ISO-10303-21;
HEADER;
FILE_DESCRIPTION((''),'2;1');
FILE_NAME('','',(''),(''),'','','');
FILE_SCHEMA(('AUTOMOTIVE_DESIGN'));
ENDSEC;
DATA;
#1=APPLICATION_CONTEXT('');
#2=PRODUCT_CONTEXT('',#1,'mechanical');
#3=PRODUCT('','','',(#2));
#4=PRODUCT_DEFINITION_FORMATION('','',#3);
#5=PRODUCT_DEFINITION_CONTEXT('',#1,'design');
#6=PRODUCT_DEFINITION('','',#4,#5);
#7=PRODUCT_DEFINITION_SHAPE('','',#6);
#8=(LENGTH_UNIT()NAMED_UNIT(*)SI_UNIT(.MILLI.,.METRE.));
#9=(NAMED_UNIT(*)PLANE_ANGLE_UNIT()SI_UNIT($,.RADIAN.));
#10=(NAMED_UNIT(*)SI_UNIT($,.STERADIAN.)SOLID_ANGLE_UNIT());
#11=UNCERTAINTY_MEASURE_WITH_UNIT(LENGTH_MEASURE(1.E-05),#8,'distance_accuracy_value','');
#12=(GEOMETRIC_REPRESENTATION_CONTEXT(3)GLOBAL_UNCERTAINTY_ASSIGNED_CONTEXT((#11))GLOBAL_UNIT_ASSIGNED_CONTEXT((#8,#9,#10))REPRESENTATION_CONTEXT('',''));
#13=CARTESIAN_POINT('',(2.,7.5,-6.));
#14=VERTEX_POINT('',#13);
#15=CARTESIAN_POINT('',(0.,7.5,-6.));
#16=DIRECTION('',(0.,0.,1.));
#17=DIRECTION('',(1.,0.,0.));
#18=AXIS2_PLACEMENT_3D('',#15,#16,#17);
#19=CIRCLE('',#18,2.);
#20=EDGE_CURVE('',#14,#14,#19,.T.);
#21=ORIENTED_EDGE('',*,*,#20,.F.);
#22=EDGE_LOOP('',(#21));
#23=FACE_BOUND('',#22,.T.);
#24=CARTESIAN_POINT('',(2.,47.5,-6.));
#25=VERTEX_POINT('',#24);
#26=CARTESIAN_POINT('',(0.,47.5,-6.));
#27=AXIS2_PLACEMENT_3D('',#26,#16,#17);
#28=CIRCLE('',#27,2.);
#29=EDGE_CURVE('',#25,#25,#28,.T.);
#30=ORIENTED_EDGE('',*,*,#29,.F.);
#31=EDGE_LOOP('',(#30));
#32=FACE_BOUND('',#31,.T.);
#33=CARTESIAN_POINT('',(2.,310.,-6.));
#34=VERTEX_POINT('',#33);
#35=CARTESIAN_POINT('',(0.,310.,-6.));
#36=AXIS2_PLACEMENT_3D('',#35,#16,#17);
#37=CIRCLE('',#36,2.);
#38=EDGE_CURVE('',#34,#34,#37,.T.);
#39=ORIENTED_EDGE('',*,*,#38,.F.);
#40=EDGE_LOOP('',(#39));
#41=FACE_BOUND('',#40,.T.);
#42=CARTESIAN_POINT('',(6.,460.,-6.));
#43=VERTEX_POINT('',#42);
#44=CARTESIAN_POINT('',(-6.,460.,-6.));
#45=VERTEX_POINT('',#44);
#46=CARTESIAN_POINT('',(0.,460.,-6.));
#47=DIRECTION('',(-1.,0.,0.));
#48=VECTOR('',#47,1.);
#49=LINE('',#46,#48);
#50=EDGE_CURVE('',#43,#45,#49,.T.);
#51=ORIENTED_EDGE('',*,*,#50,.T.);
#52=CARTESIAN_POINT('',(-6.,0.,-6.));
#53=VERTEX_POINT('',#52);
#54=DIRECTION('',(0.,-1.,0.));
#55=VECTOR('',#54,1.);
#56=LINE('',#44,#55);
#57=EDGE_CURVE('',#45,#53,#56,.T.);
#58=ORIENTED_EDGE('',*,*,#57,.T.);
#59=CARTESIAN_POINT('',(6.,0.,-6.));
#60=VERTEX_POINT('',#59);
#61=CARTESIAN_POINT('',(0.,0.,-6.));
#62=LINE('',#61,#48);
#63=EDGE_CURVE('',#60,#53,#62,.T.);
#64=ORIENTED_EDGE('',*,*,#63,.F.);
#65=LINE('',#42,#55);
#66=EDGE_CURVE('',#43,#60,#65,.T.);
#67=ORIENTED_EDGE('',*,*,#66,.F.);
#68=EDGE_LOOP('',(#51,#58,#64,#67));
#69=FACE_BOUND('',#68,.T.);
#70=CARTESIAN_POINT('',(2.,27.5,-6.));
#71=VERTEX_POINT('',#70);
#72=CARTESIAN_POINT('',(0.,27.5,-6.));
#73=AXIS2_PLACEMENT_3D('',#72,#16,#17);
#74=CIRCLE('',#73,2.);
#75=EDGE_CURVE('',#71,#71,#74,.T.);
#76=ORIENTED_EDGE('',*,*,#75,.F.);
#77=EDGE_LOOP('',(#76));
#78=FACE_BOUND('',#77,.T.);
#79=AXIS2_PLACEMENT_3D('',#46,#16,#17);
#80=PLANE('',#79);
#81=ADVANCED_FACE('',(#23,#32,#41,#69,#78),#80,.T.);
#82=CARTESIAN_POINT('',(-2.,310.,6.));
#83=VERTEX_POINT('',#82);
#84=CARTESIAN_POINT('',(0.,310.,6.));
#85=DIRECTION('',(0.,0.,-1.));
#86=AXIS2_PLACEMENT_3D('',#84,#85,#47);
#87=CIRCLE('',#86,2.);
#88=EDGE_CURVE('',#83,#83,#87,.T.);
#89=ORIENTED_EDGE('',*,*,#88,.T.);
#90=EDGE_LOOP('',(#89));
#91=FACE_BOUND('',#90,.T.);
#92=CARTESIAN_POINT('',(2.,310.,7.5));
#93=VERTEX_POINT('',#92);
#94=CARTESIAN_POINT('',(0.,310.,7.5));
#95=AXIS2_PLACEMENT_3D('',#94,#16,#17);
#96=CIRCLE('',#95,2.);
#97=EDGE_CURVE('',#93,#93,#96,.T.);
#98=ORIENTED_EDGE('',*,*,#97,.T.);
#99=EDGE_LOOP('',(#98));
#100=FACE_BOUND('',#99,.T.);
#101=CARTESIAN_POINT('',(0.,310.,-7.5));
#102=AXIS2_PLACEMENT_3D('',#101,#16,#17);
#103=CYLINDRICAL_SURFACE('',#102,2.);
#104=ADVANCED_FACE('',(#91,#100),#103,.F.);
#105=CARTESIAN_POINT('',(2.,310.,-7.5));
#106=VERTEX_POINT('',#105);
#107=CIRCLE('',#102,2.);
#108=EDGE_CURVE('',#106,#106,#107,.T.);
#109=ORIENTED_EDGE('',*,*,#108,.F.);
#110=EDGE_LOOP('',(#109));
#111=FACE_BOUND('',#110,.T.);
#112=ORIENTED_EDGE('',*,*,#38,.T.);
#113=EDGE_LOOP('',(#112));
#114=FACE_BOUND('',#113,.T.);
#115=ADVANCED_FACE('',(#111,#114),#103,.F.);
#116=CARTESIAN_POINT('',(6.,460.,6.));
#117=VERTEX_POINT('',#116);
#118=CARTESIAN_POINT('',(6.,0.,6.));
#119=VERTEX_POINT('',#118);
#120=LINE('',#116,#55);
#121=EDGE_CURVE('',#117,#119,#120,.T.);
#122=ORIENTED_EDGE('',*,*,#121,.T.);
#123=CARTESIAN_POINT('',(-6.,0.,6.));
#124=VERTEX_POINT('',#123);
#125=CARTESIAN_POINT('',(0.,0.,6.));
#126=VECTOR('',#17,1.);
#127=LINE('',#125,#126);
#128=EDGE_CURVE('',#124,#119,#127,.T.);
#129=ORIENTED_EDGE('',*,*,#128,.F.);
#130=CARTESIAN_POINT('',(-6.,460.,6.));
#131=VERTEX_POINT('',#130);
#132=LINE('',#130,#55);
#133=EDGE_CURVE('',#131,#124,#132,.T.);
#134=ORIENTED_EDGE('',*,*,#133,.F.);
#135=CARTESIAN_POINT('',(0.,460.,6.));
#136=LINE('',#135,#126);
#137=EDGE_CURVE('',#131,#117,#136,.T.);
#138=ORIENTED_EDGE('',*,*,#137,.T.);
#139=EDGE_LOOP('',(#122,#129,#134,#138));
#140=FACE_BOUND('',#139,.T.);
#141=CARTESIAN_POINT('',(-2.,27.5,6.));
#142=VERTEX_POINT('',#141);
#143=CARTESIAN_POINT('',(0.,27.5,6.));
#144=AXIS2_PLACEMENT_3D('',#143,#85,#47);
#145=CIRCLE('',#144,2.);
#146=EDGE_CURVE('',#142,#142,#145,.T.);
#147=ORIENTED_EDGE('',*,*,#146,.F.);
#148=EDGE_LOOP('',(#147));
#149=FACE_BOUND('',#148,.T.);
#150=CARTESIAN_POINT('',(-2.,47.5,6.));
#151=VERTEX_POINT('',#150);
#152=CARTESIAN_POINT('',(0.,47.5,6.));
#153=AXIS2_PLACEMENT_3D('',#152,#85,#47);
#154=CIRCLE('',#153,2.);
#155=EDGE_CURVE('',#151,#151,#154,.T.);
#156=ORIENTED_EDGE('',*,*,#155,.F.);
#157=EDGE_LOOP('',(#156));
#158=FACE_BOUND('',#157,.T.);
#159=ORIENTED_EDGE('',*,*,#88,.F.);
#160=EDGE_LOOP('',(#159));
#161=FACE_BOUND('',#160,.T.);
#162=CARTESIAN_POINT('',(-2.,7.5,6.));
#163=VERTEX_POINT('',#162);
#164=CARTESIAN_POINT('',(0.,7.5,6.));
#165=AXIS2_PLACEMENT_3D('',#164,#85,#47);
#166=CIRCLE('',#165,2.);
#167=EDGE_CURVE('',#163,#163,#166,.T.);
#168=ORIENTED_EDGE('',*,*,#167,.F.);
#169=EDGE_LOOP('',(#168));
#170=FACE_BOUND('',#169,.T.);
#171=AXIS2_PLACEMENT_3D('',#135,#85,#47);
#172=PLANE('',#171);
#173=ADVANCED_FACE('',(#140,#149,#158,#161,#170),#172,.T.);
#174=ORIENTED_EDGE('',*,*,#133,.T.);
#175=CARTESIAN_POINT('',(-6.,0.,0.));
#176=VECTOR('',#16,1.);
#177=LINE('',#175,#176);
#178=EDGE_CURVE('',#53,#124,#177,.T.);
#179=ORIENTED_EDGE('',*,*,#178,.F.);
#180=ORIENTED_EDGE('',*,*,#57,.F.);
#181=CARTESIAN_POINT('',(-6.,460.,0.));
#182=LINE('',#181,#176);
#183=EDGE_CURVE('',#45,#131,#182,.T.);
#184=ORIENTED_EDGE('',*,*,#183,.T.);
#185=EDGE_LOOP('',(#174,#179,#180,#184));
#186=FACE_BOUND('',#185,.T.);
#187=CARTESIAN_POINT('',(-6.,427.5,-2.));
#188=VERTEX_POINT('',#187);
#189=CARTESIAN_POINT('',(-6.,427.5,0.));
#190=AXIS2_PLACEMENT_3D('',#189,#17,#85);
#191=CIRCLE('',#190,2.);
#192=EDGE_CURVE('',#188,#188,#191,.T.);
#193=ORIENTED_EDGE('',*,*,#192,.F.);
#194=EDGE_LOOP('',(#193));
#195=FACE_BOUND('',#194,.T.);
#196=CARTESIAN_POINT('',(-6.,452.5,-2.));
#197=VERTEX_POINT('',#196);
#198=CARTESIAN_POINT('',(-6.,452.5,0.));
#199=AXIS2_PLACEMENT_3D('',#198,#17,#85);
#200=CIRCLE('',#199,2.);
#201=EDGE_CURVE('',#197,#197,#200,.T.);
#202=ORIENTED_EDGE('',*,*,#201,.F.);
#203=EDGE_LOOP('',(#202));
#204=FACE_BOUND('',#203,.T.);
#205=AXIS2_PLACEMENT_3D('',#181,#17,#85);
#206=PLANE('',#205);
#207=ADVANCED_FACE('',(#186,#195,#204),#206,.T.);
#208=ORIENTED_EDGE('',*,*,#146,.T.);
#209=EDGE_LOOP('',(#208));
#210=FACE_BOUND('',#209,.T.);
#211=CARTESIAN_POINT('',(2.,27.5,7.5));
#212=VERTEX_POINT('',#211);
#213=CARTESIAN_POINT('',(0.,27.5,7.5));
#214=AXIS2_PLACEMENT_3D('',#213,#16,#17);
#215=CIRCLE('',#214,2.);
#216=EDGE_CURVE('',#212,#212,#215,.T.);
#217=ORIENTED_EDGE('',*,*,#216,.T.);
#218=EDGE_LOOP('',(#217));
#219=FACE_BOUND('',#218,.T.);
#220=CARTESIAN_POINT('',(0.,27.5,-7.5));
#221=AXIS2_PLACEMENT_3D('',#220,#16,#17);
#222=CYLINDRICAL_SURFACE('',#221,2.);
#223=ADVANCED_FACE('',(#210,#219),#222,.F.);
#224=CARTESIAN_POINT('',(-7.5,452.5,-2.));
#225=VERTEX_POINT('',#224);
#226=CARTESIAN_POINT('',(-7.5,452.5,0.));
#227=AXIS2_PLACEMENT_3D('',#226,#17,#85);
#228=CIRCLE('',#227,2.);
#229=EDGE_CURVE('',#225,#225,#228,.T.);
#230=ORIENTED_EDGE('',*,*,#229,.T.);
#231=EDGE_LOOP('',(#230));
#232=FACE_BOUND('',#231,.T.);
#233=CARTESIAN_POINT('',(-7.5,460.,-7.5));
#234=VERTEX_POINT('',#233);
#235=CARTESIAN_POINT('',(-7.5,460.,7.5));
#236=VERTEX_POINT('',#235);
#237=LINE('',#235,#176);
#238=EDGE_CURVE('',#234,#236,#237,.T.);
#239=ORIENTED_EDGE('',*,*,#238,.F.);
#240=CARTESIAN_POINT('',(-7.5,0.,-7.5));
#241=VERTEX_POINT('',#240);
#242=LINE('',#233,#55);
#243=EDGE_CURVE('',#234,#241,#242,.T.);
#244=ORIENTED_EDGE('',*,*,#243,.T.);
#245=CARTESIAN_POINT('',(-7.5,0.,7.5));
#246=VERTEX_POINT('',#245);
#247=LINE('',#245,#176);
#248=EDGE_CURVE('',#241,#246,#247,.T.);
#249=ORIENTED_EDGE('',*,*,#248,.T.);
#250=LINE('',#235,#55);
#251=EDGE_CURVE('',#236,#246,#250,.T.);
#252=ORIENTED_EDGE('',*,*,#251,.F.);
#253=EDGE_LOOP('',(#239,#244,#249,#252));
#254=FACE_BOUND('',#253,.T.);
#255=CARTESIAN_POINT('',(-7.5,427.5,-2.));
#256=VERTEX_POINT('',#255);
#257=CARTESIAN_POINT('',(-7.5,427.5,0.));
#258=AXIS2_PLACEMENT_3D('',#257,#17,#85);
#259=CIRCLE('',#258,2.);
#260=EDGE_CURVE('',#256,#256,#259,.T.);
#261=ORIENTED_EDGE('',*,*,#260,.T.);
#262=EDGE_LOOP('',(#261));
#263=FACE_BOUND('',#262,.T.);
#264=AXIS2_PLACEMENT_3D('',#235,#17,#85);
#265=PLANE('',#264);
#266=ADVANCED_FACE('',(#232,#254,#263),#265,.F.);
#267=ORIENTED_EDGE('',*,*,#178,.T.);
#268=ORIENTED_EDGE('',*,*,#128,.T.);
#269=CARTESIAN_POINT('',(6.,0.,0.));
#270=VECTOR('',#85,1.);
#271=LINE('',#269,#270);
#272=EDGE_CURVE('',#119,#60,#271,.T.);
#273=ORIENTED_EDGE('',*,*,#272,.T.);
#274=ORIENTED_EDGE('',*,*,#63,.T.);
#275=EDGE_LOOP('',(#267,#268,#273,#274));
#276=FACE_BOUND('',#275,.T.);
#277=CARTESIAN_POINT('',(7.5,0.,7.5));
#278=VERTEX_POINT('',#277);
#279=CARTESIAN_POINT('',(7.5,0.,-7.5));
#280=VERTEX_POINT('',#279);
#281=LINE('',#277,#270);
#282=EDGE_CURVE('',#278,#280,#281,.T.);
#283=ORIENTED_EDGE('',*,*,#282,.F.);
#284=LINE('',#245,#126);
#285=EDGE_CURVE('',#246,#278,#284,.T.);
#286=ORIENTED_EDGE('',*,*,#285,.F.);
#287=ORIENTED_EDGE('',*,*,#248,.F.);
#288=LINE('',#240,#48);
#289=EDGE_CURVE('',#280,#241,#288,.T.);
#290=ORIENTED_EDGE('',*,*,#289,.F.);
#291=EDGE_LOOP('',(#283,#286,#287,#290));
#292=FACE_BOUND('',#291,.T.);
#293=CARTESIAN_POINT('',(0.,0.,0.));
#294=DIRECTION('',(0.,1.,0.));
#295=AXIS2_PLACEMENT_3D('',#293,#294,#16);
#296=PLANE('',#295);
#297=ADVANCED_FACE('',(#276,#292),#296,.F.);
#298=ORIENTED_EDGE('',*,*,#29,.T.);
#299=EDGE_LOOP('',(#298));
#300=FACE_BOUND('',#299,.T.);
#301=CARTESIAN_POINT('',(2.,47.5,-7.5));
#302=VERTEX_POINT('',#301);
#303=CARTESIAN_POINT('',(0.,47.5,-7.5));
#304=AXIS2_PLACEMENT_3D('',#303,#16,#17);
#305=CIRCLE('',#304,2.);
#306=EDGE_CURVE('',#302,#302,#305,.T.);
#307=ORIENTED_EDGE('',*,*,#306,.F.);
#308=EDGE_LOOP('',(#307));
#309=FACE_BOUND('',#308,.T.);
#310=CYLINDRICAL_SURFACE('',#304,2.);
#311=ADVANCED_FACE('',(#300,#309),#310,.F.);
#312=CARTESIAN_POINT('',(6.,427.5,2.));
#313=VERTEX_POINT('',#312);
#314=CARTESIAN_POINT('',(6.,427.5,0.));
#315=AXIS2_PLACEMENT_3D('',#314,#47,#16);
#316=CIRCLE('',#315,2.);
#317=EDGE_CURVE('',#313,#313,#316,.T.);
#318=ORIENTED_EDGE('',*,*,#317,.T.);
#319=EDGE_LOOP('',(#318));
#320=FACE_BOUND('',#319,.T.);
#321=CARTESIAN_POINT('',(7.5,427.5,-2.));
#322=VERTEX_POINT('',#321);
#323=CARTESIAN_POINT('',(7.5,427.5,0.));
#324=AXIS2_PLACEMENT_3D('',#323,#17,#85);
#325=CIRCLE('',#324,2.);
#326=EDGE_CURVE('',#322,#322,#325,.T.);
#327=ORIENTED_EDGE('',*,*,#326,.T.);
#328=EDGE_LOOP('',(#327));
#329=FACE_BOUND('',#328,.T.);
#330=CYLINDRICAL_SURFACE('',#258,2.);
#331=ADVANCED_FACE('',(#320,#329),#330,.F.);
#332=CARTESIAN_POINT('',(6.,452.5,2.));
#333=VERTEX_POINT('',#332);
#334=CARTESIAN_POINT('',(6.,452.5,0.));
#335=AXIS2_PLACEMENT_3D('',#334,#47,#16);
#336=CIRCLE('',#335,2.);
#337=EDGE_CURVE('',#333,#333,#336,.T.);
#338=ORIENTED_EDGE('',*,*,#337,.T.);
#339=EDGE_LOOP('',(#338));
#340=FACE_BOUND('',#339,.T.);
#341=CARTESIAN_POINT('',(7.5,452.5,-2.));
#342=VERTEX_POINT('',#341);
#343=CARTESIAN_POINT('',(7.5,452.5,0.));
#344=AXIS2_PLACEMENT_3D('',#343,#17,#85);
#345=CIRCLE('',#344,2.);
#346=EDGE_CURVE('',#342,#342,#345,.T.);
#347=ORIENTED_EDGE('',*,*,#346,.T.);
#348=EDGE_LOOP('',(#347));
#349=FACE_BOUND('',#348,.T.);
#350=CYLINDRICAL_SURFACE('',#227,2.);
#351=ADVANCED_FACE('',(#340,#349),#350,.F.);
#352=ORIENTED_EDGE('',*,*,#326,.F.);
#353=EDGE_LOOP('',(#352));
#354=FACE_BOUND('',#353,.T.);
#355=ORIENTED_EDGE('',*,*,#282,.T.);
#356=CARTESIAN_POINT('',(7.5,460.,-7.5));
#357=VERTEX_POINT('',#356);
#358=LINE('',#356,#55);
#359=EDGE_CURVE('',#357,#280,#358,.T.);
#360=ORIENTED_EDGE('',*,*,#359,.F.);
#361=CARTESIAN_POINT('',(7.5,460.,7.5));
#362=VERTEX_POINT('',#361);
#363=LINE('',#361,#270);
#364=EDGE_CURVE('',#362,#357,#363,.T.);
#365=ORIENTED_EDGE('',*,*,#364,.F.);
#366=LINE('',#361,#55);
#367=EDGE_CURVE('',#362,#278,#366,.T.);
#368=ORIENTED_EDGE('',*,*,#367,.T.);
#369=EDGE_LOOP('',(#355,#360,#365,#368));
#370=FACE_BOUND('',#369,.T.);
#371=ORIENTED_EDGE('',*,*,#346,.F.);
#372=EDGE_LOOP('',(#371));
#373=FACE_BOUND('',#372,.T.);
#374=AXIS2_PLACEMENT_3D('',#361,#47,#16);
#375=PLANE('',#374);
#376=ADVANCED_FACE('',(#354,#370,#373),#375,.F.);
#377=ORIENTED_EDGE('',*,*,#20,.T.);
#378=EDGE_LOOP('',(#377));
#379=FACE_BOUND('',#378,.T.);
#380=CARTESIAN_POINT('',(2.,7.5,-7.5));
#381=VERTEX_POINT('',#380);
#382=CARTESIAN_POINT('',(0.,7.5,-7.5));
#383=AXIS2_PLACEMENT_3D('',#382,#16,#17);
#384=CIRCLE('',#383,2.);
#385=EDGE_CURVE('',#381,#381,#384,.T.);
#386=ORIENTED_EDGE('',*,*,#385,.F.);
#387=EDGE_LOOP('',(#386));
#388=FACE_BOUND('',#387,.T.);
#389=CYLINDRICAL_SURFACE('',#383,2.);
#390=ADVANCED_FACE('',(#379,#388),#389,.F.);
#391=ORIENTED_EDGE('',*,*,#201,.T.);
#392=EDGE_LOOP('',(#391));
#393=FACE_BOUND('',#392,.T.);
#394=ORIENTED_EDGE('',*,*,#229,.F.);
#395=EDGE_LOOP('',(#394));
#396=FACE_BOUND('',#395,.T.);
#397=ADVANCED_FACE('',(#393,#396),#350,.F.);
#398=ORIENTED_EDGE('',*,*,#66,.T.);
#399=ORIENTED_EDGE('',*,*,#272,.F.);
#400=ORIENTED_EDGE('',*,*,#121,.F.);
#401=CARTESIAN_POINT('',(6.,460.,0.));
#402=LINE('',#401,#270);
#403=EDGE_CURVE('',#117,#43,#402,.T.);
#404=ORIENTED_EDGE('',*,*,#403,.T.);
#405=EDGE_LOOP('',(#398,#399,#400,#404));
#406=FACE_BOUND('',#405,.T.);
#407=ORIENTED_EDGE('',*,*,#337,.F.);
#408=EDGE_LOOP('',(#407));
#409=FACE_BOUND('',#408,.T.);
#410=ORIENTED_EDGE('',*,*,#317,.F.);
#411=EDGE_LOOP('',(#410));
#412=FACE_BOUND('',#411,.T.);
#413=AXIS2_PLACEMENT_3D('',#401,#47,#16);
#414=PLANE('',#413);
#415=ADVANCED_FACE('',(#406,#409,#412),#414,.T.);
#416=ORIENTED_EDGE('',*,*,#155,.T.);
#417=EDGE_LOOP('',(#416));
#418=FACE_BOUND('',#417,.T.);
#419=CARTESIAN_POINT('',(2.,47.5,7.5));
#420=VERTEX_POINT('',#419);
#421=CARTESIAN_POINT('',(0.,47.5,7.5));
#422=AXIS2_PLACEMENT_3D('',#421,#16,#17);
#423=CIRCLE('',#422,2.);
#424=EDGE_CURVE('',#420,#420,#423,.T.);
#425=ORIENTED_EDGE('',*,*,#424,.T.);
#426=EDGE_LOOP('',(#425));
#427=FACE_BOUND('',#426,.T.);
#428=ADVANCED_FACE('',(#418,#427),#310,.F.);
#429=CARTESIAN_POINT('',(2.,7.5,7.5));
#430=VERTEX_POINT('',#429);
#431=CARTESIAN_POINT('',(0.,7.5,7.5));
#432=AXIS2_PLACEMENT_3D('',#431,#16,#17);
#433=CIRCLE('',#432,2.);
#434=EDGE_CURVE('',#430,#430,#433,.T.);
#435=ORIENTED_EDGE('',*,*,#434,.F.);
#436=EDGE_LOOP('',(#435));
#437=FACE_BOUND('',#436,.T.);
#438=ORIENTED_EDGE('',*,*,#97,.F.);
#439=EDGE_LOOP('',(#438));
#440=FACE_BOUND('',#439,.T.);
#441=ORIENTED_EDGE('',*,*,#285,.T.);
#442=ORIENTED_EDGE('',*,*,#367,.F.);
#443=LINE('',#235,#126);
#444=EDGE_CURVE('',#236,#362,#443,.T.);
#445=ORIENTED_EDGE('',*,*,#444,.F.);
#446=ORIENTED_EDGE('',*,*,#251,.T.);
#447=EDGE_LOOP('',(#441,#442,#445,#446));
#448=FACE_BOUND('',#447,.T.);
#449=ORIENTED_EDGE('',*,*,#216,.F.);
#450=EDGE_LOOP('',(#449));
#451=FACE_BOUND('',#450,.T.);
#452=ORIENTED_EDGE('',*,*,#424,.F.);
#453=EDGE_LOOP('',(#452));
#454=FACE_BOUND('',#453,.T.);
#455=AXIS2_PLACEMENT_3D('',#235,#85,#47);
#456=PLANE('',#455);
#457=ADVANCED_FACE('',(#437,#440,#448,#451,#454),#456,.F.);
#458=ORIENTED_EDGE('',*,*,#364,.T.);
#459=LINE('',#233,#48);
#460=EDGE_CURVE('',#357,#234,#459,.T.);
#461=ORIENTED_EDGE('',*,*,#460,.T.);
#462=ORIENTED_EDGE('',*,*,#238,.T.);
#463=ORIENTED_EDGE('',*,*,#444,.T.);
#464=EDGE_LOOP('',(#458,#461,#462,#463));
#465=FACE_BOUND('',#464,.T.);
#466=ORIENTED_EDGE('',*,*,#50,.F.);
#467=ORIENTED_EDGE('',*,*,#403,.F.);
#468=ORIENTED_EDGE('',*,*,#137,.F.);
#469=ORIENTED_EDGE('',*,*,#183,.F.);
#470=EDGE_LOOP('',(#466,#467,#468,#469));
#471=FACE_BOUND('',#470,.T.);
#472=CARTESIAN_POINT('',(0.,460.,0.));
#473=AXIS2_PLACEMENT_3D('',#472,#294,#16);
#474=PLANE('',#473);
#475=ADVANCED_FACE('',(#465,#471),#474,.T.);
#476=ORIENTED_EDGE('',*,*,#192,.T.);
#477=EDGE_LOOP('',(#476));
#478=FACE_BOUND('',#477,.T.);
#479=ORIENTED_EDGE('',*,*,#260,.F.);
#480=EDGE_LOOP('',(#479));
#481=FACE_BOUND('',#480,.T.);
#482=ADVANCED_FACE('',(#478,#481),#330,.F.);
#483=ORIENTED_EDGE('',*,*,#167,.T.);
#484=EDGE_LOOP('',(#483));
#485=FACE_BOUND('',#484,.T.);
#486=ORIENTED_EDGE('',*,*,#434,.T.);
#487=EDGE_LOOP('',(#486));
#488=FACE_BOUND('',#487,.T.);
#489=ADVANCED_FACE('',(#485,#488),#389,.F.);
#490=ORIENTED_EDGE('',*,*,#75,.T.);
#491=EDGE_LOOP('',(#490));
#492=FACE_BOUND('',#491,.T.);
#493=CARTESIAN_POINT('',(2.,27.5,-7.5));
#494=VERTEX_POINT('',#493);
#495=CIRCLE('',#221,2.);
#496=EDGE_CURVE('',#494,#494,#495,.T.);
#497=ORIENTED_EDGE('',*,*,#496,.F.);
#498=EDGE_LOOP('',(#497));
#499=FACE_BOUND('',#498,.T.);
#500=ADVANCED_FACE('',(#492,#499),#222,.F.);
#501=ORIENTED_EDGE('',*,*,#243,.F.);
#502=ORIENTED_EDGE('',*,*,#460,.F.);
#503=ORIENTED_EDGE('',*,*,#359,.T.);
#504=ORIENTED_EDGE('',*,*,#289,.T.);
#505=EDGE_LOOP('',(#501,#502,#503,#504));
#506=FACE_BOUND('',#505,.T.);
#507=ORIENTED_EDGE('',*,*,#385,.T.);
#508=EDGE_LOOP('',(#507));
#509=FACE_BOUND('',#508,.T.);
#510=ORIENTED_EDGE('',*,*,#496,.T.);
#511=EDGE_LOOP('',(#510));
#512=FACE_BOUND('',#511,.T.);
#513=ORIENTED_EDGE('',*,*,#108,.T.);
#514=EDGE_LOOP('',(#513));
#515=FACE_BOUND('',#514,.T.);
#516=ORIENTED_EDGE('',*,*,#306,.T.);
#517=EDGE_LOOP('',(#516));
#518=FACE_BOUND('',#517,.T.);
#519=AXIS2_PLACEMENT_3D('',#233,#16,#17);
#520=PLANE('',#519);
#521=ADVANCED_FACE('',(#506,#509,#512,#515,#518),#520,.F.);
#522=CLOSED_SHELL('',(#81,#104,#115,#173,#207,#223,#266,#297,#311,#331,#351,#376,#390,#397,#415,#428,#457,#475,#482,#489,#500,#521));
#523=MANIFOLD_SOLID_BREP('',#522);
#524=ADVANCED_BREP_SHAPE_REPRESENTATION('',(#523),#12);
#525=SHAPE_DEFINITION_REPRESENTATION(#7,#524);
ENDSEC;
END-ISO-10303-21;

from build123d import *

# Parameters (mm, degrees)
SKETCH_1_W          = 15
SKETCH_1_H          = 15
SKETCH_1_W_2        = 12
SKETCH_1_H_2        = 12
EXTRUDE_1_DEPTH     = 460
SKETCH_2_R          = 2
CUT_EXTRUDE_1_DEPTH = 461.305605006
SKETCH_3_R          = 2
CUT_EXTRUDE_2_DEPTH = 461.305605006


with BuildPart() as part:
    # ｽｹｯﾁ1 → 押し出し-薄板1 (new body)
    with BuildSketch(Plane(origin=(0, 0, 0), x_dir=(1, 0, 0), z_dir=(0, 1, 0))):
        Rectangle(SKETCH_1_W, SKETCH_1_H)
        Rectangle(SKETCH_1_W_2, SKETCH_1_H_2, mode=Mode.SUBTRACT)
    extrude(amount=EXTRUDE_1_DEPTH)

    # ｽｹｯﾁ2 → ｶｯﾄ - 押し出し1 (cut, through all)
    with BuildSketch(Plane(origin=(7.5, 0, 0), x_dir=(0, 0, -1), z_dir=(1, 0, 0))):
        with Locations((0, 452.5)):
            Circle(SKETCH_2_R)
        with Locations((0, 427.5)):
            Circle(SKETCH_2_R)
    extrude(amount=-CUT_EXTRUDE_1_DEPTH, mode=Mode.SUBTRACT)

    # ｽｹｯﾁ3 → ｶｯﾄ - 押し出し2 (cut, through all)
    with BuildSketch(Plane.XY.offset(7.5)):
        with Locations((0, 7.5)):
            Circle(SKETCH_3_R)
        with Locations((0, 47.5)):
            Circle(SKETCH_3_R)
        with Locations((0, 27.5)):
            Circle(SKETCH_3_R)
        with Locations((0, 310)):
            Circle(SKETCH_3_R)
    extrude(amount=-CUT_EXTRUDE_2_DEPTH, mode=Mode.SUBTRACT)


solid = part.part
